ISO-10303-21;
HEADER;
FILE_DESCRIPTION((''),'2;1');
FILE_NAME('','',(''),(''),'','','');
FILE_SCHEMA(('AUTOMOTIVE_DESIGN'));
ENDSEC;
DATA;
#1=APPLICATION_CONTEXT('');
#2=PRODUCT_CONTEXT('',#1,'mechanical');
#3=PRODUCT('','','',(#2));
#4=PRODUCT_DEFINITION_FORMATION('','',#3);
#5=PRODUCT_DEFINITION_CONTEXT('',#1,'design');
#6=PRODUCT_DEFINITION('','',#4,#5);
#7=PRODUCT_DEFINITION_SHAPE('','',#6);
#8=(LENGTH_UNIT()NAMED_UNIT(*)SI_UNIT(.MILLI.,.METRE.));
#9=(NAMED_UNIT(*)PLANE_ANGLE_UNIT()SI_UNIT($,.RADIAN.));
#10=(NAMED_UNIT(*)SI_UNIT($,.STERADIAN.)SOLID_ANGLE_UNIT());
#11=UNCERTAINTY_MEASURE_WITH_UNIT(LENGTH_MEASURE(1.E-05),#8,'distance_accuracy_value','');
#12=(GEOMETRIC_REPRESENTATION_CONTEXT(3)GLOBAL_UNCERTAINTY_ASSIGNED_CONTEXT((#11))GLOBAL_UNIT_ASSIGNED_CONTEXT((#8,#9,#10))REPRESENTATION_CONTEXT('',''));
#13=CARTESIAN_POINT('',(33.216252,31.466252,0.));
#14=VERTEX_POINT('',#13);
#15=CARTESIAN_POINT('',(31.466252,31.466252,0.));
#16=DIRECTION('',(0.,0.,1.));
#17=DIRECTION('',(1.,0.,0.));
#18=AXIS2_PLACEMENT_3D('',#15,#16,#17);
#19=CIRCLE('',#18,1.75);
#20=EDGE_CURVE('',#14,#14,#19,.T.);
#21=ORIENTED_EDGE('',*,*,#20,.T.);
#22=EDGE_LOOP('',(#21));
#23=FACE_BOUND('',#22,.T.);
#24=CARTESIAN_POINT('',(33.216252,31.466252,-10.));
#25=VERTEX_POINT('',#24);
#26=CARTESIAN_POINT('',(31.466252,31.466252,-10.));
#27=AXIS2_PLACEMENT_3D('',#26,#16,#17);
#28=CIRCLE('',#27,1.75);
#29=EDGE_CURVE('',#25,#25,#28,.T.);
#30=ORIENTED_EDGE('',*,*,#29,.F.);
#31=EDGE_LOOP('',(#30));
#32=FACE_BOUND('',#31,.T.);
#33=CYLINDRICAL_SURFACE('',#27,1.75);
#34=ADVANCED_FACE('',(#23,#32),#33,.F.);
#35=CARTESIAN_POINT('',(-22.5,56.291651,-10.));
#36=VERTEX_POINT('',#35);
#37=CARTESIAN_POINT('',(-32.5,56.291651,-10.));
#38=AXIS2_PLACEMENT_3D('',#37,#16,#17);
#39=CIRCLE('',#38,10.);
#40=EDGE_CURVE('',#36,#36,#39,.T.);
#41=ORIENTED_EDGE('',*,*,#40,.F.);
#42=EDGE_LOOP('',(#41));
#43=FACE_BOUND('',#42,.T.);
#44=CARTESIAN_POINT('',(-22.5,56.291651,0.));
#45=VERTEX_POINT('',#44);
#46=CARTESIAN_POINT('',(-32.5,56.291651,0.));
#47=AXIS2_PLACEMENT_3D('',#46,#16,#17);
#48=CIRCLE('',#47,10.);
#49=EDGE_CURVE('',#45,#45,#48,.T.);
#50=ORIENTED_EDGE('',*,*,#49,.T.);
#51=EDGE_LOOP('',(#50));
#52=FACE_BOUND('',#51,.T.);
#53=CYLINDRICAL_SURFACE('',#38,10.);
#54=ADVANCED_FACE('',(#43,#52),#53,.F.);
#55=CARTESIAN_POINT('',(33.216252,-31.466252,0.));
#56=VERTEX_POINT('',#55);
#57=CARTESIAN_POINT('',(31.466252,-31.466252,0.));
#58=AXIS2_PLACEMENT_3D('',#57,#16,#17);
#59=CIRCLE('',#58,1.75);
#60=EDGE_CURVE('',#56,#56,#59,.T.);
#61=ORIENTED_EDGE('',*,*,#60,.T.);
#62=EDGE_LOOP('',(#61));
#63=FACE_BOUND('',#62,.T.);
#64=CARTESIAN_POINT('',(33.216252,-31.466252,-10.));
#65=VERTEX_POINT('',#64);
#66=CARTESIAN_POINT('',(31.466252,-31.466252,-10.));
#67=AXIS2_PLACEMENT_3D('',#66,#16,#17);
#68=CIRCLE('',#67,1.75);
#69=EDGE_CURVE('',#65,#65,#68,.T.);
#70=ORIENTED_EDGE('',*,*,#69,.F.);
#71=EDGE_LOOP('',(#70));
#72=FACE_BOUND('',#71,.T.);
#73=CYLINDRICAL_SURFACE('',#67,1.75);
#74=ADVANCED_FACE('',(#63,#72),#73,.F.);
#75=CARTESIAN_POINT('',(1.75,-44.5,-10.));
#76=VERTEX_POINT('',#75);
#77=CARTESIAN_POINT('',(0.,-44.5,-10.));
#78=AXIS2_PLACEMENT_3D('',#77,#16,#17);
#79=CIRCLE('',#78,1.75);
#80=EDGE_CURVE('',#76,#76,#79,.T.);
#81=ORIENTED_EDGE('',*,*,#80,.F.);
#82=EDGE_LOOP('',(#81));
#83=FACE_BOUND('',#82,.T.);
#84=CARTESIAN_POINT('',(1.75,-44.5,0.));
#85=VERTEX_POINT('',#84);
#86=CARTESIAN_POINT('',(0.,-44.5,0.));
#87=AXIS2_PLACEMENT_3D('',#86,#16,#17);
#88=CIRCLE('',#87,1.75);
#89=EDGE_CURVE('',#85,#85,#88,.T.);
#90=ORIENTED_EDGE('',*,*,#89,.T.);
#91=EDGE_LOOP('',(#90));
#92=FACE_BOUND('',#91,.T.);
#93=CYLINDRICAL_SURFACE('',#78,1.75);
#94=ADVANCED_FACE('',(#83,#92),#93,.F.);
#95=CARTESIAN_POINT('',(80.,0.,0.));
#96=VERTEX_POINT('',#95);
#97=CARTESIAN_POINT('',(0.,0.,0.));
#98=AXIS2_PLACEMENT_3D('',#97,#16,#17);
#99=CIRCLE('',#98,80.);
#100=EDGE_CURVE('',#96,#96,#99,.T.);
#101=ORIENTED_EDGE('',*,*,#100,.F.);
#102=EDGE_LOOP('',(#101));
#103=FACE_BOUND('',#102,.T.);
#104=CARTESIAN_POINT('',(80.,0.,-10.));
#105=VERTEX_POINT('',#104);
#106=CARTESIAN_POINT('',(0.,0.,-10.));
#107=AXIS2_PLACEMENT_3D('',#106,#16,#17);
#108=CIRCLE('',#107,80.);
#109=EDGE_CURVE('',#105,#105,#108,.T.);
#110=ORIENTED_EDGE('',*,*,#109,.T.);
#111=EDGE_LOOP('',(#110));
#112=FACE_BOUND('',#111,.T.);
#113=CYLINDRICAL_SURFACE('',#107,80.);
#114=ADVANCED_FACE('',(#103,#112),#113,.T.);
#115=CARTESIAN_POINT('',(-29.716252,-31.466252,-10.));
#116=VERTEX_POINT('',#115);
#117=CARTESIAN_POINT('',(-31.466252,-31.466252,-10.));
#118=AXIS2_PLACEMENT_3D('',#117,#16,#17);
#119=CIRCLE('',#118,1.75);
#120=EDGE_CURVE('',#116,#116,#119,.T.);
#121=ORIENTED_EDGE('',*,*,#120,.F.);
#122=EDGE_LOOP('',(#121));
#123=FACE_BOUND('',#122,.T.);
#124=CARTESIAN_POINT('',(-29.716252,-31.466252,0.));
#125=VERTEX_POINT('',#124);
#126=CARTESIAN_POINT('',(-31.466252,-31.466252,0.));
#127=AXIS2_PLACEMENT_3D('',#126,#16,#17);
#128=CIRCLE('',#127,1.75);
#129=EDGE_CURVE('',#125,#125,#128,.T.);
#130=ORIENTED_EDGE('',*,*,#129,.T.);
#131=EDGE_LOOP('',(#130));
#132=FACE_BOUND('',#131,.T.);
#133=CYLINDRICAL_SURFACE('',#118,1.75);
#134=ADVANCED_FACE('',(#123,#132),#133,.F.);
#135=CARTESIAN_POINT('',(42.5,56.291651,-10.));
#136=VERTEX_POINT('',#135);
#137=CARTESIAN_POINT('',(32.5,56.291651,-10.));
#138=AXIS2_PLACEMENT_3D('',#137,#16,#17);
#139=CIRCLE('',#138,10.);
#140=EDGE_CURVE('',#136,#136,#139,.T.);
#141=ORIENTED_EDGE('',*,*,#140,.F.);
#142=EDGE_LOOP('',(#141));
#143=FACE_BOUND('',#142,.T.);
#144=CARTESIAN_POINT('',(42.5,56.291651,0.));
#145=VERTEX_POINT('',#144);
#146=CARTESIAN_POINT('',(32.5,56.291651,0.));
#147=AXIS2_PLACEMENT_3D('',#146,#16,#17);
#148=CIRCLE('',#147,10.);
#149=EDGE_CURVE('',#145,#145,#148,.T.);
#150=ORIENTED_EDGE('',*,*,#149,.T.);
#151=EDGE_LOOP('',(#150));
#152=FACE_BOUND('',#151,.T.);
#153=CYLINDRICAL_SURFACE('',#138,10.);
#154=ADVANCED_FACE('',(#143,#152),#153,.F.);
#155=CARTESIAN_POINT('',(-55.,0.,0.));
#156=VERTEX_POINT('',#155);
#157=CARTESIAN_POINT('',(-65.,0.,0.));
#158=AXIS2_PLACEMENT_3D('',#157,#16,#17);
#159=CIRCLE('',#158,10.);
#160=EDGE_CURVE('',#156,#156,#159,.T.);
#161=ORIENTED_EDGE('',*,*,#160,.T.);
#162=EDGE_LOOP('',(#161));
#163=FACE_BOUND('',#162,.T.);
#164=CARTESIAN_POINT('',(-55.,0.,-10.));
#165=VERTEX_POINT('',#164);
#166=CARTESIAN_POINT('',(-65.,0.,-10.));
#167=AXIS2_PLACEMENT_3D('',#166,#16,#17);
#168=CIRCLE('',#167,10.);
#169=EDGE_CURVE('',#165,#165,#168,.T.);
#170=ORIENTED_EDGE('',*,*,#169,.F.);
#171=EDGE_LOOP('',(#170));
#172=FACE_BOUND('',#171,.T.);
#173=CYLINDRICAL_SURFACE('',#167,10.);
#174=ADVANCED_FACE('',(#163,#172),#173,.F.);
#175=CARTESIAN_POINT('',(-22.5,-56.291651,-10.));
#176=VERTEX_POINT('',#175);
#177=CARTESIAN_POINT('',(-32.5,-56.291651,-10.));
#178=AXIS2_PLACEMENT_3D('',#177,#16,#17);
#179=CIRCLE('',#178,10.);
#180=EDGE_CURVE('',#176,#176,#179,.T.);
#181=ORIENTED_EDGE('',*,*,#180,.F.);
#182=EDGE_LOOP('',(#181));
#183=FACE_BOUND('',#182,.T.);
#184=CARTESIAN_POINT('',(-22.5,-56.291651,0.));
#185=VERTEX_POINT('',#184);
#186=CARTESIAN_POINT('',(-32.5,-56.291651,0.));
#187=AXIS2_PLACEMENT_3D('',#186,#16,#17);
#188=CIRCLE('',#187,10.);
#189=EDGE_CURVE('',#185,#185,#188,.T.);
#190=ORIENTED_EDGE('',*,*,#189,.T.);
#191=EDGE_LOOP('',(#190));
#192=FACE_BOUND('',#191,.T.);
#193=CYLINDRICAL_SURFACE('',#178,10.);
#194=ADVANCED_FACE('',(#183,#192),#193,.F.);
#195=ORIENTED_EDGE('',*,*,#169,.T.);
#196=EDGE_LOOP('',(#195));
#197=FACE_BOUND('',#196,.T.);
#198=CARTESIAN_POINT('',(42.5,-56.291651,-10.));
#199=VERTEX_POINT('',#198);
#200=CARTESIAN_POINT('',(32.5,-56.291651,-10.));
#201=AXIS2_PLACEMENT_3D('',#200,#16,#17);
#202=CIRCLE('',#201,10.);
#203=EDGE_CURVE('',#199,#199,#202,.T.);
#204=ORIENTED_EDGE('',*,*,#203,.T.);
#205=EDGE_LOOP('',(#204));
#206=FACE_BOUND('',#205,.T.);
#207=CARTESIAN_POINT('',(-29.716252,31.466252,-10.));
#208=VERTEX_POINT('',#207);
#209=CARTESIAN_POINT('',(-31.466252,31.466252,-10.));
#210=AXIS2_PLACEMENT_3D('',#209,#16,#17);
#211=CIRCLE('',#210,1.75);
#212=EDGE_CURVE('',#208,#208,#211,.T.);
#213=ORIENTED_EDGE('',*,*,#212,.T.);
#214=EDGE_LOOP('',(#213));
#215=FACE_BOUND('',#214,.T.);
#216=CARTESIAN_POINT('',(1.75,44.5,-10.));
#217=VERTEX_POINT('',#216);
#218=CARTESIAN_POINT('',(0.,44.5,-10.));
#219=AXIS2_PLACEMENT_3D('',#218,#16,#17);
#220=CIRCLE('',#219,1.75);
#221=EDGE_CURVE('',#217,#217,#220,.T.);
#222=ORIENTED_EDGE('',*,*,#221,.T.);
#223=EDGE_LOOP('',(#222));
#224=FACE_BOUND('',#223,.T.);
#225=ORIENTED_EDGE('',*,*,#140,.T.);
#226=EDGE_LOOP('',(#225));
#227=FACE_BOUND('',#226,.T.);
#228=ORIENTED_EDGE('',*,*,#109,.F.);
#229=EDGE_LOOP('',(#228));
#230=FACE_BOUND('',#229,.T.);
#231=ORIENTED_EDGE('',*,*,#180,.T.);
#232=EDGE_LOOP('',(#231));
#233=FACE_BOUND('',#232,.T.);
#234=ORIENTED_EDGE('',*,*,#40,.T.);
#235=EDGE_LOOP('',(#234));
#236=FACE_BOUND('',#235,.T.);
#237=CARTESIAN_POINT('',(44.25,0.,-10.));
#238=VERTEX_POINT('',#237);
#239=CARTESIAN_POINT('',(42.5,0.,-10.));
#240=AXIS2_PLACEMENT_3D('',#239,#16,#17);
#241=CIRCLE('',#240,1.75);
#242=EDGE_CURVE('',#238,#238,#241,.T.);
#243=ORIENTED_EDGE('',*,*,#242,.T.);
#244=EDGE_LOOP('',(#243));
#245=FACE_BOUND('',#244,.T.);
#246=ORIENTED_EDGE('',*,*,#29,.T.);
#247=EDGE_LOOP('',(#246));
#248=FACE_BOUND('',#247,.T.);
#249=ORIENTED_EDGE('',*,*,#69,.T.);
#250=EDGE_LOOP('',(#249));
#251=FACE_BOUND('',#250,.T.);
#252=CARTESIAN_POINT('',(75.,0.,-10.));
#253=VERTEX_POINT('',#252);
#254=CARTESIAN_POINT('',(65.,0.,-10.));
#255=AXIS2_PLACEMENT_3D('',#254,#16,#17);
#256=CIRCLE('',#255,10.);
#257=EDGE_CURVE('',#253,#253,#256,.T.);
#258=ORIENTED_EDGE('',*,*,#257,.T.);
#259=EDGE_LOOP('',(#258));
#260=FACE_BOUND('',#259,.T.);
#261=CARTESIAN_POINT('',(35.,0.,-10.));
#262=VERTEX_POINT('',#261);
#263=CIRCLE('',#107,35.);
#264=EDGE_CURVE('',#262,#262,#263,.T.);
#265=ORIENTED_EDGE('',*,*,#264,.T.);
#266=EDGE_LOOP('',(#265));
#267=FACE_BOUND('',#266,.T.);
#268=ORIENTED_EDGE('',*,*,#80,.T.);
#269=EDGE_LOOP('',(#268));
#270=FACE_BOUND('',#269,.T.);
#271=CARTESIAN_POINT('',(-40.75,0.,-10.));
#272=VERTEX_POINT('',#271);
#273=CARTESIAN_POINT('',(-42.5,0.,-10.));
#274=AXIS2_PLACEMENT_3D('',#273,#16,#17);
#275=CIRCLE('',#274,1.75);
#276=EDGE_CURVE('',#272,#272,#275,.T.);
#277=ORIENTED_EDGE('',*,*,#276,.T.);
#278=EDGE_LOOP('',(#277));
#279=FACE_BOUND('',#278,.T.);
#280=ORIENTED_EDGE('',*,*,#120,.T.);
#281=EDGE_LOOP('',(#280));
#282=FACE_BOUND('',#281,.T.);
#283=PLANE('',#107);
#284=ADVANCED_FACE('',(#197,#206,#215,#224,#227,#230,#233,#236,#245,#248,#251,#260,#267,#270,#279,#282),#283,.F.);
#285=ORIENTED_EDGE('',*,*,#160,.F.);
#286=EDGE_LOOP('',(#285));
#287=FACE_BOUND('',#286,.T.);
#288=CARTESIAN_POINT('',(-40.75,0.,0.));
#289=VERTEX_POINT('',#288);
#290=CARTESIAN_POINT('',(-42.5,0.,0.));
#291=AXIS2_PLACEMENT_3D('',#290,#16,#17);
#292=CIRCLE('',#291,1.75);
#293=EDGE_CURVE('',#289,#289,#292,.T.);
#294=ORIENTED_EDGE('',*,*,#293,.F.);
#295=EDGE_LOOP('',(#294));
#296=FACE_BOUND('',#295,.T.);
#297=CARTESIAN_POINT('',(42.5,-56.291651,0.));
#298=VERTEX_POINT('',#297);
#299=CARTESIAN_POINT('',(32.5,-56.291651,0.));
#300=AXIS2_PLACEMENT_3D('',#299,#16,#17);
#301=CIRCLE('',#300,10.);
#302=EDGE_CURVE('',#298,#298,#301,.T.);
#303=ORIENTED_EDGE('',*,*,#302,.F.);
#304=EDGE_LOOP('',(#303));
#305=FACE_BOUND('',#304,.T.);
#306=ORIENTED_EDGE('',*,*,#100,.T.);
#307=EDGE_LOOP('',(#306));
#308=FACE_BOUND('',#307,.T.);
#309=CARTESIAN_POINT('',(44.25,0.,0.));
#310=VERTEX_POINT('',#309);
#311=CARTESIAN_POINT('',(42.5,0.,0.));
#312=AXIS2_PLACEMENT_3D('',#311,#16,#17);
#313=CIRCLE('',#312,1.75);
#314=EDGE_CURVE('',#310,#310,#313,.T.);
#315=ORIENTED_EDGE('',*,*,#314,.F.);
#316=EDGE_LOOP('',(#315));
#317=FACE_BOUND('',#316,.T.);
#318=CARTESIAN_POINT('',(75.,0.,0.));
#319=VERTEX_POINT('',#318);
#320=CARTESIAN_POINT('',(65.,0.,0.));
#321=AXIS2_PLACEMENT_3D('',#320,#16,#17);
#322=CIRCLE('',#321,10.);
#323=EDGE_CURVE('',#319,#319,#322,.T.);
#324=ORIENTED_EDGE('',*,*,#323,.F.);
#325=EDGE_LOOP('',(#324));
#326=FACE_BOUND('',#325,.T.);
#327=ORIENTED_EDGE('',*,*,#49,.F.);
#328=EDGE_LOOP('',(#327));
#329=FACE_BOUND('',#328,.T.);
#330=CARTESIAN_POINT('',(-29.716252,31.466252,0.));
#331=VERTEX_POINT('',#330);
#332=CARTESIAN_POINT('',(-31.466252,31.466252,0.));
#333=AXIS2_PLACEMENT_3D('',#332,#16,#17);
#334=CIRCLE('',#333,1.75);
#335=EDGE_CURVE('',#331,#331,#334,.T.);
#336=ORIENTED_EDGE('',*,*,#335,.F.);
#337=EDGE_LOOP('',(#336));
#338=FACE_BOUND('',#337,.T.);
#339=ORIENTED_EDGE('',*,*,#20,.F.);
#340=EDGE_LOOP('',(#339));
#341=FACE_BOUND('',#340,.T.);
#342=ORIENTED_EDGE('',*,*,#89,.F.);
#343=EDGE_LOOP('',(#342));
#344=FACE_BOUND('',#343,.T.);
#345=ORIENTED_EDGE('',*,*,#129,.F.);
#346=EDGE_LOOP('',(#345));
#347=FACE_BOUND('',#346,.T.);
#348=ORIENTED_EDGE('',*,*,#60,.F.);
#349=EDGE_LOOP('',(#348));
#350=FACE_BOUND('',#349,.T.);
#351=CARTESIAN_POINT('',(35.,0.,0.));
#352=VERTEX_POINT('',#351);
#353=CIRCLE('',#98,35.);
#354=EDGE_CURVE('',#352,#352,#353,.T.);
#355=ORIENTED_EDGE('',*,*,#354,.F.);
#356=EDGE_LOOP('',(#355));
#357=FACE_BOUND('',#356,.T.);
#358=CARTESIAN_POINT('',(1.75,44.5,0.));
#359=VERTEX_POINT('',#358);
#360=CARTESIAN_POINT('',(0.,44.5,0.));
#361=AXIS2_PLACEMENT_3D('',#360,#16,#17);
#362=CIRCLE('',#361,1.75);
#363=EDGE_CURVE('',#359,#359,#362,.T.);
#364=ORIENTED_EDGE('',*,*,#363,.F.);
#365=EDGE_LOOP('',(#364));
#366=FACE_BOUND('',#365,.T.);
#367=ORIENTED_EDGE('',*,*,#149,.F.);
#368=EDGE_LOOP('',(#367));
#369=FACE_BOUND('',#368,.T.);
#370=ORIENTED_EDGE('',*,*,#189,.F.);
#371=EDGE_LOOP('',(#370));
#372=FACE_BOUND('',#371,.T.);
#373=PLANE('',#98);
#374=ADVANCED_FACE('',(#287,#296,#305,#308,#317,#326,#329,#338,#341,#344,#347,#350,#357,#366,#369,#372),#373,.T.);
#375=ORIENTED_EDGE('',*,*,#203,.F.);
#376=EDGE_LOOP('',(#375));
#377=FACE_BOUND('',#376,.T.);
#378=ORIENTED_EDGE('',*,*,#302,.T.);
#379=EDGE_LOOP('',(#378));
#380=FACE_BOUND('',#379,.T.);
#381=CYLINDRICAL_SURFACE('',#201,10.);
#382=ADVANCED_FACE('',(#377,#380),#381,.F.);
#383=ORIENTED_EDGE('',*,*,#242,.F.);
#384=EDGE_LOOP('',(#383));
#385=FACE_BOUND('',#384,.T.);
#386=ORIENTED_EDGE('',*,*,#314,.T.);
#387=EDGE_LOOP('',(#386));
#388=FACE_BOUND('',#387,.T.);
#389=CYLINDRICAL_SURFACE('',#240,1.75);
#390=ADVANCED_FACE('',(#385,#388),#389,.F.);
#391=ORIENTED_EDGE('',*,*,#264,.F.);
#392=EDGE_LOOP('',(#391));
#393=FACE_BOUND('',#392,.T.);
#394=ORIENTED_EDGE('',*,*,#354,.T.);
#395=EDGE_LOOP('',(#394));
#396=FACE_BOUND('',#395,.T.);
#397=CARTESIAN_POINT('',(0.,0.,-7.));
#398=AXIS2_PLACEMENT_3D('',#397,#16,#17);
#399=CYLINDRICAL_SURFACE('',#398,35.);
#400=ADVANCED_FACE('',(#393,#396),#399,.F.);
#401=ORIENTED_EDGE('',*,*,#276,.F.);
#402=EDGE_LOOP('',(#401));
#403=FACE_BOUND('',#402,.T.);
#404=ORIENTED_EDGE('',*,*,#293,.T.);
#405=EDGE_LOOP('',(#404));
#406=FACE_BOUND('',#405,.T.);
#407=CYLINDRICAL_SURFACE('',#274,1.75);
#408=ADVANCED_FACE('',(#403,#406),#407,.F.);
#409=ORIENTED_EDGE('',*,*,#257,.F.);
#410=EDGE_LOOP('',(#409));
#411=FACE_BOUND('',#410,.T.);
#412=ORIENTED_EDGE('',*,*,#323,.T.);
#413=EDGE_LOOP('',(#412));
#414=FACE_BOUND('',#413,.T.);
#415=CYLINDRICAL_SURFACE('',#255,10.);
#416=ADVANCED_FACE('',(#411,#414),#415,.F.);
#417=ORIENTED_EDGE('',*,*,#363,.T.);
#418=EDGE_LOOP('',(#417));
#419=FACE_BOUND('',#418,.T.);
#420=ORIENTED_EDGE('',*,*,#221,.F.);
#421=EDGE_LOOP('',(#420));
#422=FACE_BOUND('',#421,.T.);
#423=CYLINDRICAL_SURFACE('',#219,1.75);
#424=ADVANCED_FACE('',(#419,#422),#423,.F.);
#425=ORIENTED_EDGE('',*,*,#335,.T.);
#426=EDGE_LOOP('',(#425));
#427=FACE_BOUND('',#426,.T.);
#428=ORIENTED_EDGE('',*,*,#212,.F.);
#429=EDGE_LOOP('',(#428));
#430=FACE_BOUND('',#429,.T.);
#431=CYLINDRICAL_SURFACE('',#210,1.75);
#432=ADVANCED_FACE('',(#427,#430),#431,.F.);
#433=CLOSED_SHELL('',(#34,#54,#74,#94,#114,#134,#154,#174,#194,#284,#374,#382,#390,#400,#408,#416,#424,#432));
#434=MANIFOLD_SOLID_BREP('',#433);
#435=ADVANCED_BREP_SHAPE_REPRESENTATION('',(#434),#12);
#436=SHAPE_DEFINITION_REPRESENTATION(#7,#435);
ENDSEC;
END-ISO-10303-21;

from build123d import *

# Parameters (mm, degrees)
SKETCH_3_R          = 80
EXTRUDE_1_DEPTH     = 10
SKETCH_4_R          = 35
CUT_EXTRUDE_1_DEPTH = 7
SKETCH_6_R          = 10
CUT_EXTRUDE_3_DEPTH = 10
SKETCH_5_R          = 1.75
CUT_EXTRUDE_4_DEPTH = 10
SKETCH_7_R          = 35
CUT_EXTRUDE_5_DEPTH = 20


with BuildPart() as part:
    # 草图3 → 凸台-拉伸1 (new body)
    with BuildSketch(Plane.XY):
        Circle(SKETCH_3_R)
    extrude(amount=-EXTRUDE_1_DEPTH)

    # 草图4 → 切除-拉伸1 (cut)
    with BuildSketch(Plane.XY):
        Circle(SKETCH_4_R)
    extrude(amount=-CUT_EXTRUDE_1_DEPTH, mode=Mode.SUBTRACT)

    # 草图6 → 切除-拉伸3 (cut)
    with BuildSketch(Plane.XY):
        with Locations((-32.5, 56.291651246)):
            Circle(SKETCH_6_R)
        with BuildLine():
            ThreePointArc((-75, 0), (-65, -10), (-55, 0))
            Line((-55, 0), (-75, 0))
        make_face()
        with BuildLine():
            Line((-75, 0), (-55, 0))
            ThreePointArc((-55, 0), (-65, 10), (-75, 0))
        make_face()
        with Locations((-32.5, -56.291651246)):
            Circle(SKETCH_6_R)
        with Locations((32.5, -56.291651246)):
            Circle(SKETCH_6_R)
        with Locations((65, 0)):
            Circle(SKETCH_6_R)
        with Locations((32.5, 56.291651246)):
            Circle(SKETCH_6_R)
    extrude(amount=-CUT_EXTRUDE_3_DEPTH, mode=Mode.SUBTRACT)

    # 草图5 → 切除-拉伸4 (cut)
    with BuildSketch(Plane.XY):
        with Locations((0, 44.5)):
            Circle(SKETCH_5_R)
        with Locations((31.466251763, 31.466251763)):
            Circle(SKETCH_5_R)
        with Locations((42.5, 0)):
            Circle(SKETCH_5_R)
        with Locations((31.466251763, -31.466251763)):
            Circle(SKETCH_5_R)
        with Locations((-31.466251763, -31.466251763)):
            Circle(SKETCH_5_R)
        with BuildLine():
            ThreePointArc((-44.25, 0), (-42.5, -1.75), (-40.75, 0))
            Line((-40.75, 0), (-44.25, 0))
        make_face()
        with BuildLine():
            Line((-44.25, 0), (-40.75, 0))
            ThreePointArc((-40.75, 0), (-42.5, 1.75), (-44.25, 0))
        make_face()
        with Locations((-31.466251763, 31.466251763)):
            Circle(SKETCH_5_R)
        with Locations((0, -44.5)):
            Circle(SKETCH_5_R)
    extrude(amount=-CUT_EXTRUDE_4_DEPTH, mode=Mode.SUBTRACT)

    # 草图7 → 切除-拉伸5 (cut, symmetric)
    with BuildSketch(Plane.XY):
        Circle(SKETCH_7_R)
    extrude(amount=CUT_EXTRUDE_5_DEPTH, both=True, mode=Mode.SUBTRACT)


solid = part.part
